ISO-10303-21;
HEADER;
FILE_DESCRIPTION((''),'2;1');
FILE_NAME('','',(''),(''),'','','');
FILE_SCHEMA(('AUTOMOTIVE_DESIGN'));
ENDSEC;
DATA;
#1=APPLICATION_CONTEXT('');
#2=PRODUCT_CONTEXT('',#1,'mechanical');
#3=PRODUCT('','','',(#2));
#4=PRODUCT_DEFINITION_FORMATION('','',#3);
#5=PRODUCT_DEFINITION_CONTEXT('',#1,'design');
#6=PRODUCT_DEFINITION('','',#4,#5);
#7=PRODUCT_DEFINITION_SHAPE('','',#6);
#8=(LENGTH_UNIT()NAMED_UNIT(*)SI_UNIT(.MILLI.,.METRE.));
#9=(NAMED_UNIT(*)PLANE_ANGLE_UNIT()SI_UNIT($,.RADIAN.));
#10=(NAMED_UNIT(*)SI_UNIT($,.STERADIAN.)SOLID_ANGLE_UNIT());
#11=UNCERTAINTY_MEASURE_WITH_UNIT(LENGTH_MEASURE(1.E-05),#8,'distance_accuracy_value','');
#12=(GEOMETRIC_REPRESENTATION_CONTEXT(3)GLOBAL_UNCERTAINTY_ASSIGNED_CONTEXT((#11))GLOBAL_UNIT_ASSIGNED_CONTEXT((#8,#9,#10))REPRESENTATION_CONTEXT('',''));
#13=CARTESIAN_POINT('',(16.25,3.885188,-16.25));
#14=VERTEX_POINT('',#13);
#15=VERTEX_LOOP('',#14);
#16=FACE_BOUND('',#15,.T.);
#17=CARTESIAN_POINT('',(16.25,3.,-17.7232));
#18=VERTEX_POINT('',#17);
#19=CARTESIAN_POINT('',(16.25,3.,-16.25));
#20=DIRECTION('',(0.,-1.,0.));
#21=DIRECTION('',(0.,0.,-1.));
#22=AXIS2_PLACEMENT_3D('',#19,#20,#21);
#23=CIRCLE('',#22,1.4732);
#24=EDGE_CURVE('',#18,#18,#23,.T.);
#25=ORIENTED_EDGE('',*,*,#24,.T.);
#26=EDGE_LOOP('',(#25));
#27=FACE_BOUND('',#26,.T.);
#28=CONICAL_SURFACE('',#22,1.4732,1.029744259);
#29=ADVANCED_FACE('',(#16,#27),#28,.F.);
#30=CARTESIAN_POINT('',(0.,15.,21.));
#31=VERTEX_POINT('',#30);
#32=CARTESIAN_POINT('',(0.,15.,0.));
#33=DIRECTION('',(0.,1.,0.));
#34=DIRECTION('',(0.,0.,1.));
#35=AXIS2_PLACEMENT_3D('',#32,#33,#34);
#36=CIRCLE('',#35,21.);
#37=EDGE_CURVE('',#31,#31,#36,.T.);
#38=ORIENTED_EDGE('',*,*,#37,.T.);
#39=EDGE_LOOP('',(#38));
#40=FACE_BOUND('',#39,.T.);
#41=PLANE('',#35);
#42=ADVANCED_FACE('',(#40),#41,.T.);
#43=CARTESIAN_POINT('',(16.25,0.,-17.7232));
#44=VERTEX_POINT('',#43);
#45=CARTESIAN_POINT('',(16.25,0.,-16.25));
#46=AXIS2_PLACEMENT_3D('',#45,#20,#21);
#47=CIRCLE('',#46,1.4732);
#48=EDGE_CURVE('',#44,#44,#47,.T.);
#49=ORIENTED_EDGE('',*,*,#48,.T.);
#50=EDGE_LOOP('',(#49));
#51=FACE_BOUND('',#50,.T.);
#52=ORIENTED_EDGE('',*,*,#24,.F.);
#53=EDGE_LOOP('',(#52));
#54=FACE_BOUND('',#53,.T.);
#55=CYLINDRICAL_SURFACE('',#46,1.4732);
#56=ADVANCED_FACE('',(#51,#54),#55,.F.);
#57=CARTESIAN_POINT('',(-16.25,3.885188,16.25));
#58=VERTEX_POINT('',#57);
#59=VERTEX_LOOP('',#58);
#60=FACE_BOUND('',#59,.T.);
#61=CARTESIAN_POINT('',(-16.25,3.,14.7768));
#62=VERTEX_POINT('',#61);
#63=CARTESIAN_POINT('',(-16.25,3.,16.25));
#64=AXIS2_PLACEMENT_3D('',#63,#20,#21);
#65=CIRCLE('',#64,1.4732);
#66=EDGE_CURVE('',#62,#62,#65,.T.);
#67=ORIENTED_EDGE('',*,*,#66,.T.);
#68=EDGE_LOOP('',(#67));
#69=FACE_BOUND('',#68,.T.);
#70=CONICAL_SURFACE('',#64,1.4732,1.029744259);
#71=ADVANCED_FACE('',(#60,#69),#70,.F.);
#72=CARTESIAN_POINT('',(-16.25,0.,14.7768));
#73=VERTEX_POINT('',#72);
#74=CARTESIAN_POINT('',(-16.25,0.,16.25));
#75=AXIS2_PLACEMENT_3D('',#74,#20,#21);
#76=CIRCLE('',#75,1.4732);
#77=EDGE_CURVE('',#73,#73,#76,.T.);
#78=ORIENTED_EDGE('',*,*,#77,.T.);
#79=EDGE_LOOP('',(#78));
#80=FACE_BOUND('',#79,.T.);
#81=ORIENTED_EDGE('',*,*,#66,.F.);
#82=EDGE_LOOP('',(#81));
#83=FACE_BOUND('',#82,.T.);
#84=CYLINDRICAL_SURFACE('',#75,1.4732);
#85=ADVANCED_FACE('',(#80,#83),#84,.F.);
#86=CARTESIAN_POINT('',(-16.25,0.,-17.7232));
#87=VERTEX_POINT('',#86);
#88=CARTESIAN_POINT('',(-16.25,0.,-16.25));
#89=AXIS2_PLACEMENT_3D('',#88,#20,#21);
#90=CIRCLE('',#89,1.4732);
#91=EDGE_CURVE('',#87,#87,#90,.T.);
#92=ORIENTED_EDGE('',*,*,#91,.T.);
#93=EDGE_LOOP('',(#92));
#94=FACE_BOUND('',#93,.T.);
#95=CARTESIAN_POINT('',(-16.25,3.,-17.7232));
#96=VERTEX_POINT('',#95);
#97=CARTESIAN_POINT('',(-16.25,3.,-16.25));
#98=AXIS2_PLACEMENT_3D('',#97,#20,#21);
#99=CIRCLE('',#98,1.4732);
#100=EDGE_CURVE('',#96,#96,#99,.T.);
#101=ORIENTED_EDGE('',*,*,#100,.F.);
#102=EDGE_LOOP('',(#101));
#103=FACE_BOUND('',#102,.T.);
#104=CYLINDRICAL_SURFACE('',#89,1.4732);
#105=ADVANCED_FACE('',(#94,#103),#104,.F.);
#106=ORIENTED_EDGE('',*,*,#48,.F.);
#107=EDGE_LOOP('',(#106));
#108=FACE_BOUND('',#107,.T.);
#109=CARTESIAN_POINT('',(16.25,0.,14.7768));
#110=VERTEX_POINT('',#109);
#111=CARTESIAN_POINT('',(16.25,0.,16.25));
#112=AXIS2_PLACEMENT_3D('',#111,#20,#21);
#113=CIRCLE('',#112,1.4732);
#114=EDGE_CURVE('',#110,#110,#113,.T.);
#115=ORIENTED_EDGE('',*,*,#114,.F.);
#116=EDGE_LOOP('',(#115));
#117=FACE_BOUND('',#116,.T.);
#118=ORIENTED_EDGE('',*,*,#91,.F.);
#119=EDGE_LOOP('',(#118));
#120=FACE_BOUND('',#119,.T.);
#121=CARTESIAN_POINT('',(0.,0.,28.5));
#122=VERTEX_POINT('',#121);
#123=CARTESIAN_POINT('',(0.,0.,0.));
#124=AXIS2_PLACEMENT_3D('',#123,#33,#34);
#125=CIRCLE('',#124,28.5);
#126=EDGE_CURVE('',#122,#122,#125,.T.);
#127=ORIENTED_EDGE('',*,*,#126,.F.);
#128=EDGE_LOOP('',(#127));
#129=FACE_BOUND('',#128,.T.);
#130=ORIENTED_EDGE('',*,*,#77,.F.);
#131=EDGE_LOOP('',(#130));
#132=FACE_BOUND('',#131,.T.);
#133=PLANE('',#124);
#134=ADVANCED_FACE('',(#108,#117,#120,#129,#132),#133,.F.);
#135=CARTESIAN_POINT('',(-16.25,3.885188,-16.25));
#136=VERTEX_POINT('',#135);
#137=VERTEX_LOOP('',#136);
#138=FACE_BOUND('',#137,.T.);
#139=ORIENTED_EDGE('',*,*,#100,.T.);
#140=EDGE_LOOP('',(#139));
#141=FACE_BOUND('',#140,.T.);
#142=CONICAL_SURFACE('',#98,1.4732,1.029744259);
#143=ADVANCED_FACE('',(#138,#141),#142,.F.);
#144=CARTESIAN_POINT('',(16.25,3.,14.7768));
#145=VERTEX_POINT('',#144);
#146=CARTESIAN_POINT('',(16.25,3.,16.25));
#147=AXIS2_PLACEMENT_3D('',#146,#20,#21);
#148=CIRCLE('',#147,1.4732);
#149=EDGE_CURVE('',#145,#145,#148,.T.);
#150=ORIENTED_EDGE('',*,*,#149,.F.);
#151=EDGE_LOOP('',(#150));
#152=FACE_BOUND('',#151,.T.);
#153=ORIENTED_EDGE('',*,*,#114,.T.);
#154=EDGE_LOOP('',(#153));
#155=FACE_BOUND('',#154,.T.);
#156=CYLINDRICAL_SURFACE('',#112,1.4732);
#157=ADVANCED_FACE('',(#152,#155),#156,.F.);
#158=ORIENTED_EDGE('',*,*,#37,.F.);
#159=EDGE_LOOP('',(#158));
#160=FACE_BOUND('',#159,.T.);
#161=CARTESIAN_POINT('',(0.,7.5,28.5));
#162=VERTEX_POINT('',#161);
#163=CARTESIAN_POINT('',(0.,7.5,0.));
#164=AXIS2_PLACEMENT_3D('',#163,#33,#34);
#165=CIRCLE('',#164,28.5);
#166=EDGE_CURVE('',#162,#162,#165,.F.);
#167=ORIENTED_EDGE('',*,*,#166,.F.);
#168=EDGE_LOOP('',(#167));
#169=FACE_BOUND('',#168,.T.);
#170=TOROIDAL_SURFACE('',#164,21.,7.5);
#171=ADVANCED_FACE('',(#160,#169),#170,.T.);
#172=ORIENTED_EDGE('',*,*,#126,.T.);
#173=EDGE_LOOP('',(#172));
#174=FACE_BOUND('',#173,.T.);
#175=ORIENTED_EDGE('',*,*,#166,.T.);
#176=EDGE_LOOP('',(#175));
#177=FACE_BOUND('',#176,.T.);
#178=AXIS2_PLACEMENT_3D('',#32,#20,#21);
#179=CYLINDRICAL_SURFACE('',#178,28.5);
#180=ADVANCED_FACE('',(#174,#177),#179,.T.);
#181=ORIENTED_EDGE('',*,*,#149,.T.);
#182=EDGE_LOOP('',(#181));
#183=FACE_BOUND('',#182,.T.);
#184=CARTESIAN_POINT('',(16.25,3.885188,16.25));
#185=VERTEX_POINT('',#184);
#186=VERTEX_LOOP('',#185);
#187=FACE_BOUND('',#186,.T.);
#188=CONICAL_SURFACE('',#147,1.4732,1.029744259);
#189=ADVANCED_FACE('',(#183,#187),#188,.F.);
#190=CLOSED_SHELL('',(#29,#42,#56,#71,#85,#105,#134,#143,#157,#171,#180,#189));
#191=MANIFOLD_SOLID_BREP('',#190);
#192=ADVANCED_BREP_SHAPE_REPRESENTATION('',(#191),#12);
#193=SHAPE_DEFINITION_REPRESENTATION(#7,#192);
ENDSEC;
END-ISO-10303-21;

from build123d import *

# Parameters (mm, degrees)
SKETCH1_R                       = 28.5
BOSS_EXTRUDE1_DEPTH             = 15
FILLET1_R                       = 7.5
F_32_0_116_DIAMETER_HOLE4_D     = 2.9464
F_32_0_116_DIAMETER_HOLE4_DEPTH = 3
F_32_0_116_DIAMETER_HOLE4_TIP   = 0.885187864


with BuildPart() as part:
    # Sketch1 → Boss-Extrude1 (new body)
    with BuildSketch(Plane(origin=(0, 0, 0), x_dir=(1, 0, 0), z_dir=(0, 1, 0))):
        with Locations(Location((0, 0, 0), (0, 0, 270))):
            Circle(SKETCH1_R)
    extrude(amount=BOSS_EXTRUDE1_DEPTH)

    # Fillet1
    fillet1_edges = [part.edges().sort_by_distance(p)[0] for p in [
        (0, 15, -28.5),
    ]]
    fillet(fillet1_edges, radius=FILLET1_R)

    # #32 (0.116) Diameter Hole4
    with Locations(Plane(origin=(0, 0, 0), x_dir=(-1, 0, 0), z_dir=(0, -1, 0))):
        with Locations((-16.25, 16.25), (16.25, 16.25), (16.25, -16.25), (-16.25, -16.25)):
            Hole(F_32_0_116_DIAMETER_HOLE4_D / 2, depth=F_32_0_116_DIAMETER_HOLE4_DEPTH)
            with Locations((0, 0, -(F_32_0_116_DIAMETER_HOLE4_DEPTH + F_32_0_116_DIAMETER_HOLE4_TIP / 2))):  # 118° drill point
                Cone(0, F_32_0_116_DIAMETER_HOLE4_D / 2, F_32_0_116_DIAMETER_HOLE4_TIP, mode=Mode.SUBTRACT)


solid = part.part
